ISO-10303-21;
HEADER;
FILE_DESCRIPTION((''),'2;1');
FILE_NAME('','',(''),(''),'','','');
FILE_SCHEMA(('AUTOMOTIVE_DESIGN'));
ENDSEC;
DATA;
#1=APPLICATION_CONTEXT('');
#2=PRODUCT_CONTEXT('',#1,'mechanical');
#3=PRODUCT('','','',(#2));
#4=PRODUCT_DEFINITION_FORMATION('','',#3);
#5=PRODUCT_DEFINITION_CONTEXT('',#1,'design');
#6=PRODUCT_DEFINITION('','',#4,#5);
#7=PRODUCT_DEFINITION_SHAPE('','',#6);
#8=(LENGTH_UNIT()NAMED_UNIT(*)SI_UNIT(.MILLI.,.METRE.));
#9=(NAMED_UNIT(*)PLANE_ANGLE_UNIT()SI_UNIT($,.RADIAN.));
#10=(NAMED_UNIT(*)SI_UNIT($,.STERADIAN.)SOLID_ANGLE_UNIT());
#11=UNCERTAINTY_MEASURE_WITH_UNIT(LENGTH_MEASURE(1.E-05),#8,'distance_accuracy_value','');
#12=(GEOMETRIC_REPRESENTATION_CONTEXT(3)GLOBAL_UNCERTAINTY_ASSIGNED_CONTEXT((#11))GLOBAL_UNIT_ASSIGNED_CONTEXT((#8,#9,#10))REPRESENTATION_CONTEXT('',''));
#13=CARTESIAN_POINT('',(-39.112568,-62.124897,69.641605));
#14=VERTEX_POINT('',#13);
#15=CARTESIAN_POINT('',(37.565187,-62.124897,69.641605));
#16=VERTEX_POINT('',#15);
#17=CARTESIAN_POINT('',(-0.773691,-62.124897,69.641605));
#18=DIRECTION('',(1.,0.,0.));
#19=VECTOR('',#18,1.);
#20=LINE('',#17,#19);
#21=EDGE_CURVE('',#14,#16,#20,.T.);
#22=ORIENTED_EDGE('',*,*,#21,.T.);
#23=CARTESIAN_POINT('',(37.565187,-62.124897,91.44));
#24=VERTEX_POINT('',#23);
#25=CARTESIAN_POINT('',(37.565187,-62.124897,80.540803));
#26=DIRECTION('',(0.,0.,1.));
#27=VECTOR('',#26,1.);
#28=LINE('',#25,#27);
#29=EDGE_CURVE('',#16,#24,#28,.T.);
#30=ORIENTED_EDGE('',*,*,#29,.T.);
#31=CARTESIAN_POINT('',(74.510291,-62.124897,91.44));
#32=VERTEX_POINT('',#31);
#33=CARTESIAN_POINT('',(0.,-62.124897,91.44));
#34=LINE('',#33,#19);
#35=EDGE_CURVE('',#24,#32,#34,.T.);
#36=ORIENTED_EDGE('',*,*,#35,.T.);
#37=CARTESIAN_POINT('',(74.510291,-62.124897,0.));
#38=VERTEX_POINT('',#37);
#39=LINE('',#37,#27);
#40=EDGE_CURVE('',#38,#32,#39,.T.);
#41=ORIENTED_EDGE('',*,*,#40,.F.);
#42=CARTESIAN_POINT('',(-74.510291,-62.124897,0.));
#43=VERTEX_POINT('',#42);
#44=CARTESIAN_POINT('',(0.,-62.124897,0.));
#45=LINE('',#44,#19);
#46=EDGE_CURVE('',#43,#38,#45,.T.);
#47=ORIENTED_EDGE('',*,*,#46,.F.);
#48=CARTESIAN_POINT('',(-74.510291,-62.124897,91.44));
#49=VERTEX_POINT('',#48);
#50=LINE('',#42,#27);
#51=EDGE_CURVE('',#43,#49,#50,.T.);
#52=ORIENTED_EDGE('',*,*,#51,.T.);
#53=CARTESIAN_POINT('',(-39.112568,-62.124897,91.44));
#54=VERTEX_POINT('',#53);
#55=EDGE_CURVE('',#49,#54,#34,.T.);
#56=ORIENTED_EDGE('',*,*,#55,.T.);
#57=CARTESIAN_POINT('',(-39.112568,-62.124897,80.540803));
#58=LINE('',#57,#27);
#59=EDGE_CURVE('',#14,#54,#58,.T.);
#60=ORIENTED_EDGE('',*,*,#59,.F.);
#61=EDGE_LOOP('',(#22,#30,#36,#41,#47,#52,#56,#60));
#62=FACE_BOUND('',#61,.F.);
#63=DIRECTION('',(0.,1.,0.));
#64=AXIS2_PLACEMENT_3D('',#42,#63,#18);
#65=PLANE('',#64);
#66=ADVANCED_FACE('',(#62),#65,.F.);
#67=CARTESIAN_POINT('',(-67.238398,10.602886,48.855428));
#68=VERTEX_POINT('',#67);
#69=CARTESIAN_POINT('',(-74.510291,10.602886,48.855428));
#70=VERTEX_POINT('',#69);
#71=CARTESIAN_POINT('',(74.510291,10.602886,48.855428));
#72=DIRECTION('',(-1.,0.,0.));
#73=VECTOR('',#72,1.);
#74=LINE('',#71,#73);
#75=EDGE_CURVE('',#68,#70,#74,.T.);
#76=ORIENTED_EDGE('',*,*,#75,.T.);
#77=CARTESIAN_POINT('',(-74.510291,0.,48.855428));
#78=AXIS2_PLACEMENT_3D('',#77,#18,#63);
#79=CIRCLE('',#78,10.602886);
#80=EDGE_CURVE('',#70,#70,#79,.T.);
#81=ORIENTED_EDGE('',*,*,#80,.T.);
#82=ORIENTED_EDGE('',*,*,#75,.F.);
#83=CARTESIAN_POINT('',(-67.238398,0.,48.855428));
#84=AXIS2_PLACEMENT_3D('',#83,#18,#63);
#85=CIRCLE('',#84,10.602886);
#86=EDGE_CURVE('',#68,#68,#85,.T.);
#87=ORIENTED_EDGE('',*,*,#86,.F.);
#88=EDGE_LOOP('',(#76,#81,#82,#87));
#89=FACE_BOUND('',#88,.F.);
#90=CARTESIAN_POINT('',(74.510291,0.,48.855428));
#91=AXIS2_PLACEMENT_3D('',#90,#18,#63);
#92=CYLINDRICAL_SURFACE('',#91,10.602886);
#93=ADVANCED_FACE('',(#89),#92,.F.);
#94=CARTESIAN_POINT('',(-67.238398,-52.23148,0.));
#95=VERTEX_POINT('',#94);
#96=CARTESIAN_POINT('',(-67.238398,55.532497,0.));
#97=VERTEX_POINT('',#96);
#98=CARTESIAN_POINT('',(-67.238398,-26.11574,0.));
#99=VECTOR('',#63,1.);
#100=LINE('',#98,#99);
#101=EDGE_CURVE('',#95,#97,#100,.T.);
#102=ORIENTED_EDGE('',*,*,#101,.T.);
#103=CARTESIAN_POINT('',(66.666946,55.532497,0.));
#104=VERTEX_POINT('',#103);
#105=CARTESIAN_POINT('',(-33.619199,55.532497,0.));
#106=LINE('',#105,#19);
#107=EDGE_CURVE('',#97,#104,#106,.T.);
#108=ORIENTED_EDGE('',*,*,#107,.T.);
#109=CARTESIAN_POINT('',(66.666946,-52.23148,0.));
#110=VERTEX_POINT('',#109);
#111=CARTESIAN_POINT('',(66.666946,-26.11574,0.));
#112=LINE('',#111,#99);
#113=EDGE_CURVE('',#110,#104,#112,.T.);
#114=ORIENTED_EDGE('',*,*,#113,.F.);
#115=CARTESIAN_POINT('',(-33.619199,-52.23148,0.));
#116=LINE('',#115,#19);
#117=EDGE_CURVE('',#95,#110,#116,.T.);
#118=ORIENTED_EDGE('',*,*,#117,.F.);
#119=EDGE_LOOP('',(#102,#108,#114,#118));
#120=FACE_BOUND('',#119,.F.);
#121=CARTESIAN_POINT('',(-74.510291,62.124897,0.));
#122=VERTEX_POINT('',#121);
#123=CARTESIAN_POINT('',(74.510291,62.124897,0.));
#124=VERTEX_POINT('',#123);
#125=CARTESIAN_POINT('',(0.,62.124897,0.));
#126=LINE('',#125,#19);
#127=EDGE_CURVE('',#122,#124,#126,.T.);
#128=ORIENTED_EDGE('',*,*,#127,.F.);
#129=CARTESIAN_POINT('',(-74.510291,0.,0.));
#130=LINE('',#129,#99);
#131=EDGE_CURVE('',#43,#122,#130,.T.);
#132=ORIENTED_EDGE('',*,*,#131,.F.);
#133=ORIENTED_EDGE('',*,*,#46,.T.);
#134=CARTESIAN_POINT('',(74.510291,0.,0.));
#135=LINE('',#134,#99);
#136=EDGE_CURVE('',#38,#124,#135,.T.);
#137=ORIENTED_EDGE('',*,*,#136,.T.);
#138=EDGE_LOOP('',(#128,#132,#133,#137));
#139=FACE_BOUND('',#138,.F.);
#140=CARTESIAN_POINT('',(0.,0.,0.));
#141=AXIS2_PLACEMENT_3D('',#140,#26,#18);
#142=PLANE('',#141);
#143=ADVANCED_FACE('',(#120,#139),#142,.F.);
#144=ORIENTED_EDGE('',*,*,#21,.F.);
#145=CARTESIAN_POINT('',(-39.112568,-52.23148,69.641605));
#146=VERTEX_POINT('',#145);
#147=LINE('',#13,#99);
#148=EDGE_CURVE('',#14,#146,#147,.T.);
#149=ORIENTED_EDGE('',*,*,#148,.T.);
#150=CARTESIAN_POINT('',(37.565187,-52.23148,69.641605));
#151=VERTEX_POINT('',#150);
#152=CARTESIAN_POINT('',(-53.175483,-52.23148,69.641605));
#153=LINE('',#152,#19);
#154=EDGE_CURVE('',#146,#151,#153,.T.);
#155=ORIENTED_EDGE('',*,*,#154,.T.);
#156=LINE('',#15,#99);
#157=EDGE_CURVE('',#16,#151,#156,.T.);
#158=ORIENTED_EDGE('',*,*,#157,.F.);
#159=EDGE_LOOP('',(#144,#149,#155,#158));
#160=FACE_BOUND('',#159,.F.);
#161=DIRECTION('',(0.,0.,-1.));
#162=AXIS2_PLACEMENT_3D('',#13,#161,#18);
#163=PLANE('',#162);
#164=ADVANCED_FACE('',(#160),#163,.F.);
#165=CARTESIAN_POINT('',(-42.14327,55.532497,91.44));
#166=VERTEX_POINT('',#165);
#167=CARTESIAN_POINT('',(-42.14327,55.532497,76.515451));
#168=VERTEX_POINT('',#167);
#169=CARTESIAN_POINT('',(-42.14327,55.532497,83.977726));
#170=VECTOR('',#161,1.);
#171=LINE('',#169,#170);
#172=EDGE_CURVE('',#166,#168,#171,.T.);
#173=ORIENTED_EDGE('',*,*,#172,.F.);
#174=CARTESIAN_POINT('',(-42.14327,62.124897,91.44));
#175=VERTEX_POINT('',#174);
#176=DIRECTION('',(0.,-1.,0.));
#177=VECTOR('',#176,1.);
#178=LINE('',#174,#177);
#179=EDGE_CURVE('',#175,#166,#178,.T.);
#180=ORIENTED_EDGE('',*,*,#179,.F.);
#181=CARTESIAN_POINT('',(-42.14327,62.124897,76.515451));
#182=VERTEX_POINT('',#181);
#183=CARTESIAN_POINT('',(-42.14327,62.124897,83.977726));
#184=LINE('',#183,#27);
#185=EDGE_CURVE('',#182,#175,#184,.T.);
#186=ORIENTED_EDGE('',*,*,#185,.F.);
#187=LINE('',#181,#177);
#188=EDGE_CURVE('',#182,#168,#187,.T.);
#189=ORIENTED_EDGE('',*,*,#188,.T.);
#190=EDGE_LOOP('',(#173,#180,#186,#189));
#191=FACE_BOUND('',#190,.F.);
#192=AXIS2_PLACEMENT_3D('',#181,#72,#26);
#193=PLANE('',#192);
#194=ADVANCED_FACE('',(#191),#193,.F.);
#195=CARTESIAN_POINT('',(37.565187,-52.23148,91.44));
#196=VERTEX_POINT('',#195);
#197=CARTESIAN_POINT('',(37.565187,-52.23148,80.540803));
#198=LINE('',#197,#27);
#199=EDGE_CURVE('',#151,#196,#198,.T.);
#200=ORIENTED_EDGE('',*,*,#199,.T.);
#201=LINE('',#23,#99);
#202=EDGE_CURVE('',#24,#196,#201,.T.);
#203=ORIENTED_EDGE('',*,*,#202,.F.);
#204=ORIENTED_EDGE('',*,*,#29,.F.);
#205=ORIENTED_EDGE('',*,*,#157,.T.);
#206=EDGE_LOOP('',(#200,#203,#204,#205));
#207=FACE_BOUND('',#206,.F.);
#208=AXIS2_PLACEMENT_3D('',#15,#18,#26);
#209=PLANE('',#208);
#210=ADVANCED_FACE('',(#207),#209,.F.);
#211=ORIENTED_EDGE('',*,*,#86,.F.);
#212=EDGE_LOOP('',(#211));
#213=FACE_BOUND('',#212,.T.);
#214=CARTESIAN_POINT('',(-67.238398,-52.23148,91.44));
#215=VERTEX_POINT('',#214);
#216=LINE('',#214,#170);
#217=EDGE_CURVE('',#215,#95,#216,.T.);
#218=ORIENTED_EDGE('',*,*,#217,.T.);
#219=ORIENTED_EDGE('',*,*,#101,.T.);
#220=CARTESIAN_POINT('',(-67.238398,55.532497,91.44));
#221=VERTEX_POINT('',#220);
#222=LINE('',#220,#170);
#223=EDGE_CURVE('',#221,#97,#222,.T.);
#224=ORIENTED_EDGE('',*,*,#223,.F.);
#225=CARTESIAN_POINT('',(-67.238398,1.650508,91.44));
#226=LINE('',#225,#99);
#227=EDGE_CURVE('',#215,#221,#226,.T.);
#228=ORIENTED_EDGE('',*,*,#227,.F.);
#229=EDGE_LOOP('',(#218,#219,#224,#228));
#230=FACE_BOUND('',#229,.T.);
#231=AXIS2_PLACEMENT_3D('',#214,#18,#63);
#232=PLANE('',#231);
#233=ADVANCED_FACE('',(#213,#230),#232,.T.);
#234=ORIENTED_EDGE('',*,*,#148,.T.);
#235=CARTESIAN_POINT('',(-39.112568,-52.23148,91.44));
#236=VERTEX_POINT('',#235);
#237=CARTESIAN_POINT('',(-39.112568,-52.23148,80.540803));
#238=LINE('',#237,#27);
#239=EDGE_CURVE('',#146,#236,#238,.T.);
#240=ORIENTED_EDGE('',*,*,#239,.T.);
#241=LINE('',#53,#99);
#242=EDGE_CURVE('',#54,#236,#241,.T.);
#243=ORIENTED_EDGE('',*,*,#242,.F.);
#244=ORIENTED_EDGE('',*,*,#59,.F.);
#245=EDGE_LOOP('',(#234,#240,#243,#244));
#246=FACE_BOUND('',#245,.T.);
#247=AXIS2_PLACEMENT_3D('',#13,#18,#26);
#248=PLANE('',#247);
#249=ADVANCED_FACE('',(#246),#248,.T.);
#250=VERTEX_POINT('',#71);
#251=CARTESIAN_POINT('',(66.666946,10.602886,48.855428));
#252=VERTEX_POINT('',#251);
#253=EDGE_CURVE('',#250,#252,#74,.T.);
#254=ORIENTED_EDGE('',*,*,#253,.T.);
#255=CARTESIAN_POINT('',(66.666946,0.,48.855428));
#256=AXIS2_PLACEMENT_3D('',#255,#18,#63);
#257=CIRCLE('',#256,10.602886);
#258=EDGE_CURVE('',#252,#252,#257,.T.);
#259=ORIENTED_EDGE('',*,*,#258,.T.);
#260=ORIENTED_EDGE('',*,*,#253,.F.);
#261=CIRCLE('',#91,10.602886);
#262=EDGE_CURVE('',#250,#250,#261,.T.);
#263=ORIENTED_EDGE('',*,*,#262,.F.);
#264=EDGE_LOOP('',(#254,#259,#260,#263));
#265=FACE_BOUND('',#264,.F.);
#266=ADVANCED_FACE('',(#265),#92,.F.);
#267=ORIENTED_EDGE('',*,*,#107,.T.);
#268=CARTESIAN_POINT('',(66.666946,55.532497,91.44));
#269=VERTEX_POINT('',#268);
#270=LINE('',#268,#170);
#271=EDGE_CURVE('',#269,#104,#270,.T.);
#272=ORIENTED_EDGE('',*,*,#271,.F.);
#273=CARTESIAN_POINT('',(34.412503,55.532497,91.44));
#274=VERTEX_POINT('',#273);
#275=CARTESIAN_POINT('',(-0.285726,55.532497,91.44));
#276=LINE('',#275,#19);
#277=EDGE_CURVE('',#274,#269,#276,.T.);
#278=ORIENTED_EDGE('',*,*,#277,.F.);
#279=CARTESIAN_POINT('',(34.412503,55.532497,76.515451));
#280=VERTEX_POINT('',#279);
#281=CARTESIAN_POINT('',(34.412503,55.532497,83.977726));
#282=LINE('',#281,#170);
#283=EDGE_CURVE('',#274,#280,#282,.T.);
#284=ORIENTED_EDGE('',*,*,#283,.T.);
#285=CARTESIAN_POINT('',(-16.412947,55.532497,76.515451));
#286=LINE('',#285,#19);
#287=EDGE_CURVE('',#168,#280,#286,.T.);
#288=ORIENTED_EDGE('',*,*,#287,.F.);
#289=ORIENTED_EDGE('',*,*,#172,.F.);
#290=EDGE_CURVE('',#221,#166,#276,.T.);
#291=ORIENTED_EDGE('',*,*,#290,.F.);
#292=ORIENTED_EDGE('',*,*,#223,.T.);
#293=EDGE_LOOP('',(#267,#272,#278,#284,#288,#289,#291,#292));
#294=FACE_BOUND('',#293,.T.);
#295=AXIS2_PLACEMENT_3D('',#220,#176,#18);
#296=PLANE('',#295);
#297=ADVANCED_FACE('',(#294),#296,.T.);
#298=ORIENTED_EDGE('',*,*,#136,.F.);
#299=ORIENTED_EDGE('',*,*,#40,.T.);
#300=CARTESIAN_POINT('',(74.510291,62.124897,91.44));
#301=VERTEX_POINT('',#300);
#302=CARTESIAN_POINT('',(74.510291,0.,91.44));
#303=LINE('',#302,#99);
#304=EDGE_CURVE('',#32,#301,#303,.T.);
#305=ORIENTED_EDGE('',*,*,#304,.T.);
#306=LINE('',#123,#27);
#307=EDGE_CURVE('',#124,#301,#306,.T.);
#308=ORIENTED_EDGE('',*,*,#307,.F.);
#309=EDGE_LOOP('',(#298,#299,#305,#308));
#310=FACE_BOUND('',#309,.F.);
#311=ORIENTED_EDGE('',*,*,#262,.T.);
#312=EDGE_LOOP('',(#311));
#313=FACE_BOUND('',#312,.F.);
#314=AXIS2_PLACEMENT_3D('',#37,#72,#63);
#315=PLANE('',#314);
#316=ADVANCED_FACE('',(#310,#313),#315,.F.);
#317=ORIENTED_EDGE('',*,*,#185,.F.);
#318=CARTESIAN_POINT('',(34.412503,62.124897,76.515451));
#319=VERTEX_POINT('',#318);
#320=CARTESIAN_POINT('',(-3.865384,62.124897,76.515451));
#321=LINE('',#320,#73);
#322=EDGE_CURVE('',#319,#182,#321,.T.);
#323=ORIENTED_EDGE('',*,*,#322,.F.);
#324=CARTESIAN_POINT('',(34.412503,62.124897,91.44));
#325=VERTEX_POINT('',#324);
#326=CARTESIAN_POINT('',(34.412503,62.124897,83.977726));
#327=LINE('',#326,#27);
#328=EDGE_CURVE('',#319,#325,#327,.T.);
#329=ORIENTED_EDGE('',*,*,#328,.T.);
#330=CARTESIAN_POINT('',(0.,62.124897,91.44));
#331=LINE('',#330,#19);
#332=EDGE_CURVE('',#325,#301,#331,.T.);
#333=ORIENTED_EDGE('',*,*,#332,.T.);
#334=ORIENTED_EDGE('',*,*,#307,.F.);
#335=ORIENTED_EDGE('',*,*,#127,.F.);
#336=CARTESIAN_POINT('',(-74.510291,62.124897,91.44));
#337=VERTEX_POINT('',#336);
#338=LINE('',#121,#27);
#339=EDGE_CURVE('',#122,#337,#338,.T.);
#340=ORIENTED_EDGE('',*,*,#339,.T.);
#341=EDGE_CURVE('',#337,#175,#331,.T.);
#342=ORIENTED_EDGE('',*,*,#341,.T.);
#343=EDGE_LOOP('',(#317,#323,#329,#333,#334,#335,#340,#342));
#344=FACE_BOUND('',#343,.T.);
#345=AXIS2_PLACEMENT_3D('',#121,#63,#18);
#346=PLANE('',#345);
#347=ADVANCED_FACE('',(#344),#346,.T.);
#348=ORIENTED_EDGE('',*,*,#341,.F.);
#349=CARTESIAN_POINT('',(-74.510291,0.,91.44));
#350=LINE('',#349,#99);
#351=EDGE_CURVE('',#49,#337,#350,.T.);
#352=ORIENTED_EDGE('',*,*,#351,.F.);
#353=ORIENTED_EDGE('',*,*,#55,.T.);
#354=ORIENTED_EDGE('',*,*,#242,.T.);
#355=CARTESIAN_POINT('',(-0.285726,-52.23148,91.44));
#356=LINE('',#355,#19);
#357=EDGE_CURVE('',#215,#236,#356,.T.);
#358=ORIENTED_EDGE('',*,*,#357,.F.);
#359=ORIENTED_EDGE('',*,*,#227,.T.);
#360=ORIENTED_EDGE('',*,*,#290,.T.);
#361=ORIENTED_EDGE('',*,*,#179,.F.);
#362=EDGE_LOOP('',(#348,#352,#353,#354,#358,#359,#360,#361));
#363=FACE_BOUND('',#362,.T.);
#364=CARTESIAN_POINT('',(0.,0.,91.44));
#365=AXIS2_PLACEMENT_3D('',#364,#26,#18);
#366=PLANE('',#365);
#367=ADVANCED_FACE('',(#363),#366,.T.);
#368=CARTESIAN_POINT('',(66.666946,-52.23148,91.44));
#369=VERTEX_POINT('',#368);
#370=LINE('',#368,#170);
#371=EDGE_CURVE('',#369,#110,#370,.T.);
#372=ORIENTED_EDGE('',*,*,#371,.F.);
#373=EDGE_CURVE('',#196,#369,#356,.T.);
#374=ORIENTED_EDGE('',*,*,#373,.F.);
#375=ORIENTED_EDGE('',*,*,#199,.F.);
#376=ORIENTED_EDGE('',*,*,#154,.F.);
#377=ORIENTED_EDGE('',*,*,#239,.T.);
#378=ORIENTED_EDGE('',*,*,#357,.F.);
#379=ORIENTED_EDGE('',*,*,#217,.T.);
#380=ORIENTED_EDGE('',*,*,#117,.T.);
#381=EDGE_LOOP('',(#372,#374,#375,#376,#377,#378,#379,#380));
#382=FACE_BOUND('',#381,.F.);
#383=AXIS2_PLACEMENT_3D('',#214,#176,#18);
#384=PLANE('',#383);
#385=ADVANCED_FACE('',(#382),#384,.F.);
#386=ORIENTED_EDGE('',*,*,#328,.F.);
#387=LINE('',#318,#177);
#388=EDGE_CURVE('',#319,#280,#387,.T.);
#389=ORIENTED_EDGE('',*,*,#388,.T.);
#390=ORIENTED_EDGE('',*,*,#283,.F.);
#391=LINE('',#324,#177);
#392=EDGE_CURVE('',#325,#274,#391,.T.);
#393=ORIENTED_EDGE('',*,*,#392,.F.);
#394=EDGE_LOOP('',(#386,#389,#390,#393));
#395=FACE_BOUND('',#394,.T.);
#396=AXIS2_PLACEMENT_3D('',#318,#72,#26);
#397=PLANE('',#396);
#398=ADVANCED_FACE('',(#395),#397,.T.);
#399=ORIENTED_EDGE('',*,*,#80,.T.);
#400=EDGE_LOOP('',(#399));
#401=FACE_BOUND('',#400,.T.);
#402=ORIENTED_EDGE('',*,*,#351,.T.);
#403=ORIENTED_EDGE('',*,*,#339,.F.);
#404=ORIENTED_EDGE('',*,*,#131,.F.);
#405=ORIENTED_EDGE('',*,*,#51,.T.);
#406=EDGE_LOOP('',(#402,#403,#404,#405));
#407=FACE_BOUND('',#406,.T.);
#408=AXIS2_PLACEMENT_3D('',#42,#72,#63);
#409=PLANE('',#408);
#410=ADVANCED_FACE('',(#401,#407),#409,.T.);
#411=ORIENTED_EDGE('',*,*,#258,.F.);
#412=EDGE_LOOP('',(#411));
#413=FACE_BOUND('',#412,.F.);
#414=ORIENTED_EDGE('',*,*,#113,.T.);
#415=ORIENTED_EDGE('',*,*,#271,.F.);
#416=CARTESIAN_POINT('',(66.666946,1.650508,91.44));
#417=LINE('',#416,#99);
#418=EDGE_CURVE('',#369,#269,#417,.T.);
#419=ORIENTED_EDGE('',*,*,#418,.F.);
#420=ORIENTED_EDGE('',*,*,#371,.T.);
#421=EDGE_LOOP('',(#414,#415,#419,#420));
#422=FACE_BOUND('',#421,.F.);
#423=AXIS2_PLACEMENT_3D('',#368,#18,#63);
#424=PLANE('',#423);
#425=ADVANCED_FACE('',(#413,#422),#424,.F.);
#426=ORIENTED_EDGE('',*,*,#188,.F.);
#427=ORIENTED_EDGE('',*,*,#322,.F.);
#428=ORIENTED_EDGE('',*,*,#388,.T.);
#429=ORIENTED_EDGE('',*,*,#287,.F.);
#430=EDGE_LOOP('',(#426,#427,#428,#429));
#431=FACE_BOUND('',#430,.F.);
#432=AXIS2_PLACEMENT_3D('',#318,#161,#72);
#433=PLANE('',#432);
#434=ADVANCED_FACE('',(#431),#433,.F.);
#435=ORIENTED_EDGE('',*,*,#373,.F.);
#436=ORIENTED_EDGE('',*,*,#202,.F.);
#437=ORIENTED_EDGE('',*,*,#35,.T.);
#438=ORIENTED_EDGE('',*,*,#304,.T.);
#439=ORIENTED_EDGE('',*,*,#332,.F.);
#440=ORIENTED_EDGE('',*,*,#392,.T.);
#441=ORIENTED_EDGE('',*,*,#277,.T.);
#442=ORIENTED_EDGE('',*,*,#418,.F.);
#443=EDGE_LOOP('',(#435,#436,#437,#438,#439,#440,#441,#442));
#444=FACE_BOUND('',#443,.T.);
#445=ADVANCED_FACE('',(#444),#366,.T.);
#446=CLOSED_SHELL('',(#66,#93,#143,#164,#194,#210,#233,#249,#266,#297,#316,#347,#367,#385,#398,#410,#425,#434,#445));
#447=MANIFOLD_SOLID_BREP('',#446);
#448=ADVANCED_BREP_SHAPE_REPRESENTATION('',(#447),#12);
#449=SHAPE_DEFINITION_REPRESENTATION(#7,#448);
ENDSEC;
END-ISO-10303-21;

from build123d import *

# Parameters (mm, degrees)
F0_W     = 149.0205824375
F0_H     = 124.2497935891
F1_DEPTH = 91.44
F2_W     = 133.9053437114
F2_H     = 107.7639774892
F3_DEPTH = 91.441
F4_W     = 76.6777545214
F4_H     = 21.7983949804
F5_DEPTH = 25.4
F6_W     = 76.5557736158
F6_H     = 14.9245489264
F7_DEPTH = 25.4
F8_R     = 10.6028855258
F9_DEPTH = 149.0215824375


with BuildPart() as f1:
    # F0 (on Top) → F1 (new body)
    with BuildSketch(Plane.XY):
        Rectangle(F0_W, F0_H)
    extrude(amount=F1_DEPTH)

    # F2 (on face) → F3 (cut, through all)
    with BuildSketch(Plane.XY.offset(91.44)):
        with Locations((-0.2857260406, 1.6505084932)):
            Rectangle(F2_W, F2_H)
    extrude(amount=-F3_DEPTH, mode=Mode.SUBTRACT)

    # F4 (on face) → F5 (cut)
    with BuildSketch(Plane.XZ.offset(62.1248967946)):
        with Locations((-0.7736906409, 80.5408025098)):
            Rectangle(F4_W, F4_H)
    extrude(amount=-F5_DEPTH, mode=Mode.SUBTRACT)

    # F6 (on face) → F7 (cut)
    with BuildSketch(Plane(origin=(0, 62.1248967946, 0), x_dir=(-1, 0, 0), z_dir=(0, 1, 0))):
        with Locations((3.8653835654, 83.9777255368)):
            Rectangle(F6_W, F6_H)
    extrude(amount=-F7_DEPTH, mode=Mode.SUBTRACT)

    # F8 (on face) → F9 (cut, through all)
    with BuildSketch(Plane.YZ.offset(74.5102912188)):
        with Locations((0, 48.8554276526)):
            Circle(F8_R)
    extrude(amount=-F9_DEPTH, mode=Mode.SUBTRACT)


solid = f1.part
